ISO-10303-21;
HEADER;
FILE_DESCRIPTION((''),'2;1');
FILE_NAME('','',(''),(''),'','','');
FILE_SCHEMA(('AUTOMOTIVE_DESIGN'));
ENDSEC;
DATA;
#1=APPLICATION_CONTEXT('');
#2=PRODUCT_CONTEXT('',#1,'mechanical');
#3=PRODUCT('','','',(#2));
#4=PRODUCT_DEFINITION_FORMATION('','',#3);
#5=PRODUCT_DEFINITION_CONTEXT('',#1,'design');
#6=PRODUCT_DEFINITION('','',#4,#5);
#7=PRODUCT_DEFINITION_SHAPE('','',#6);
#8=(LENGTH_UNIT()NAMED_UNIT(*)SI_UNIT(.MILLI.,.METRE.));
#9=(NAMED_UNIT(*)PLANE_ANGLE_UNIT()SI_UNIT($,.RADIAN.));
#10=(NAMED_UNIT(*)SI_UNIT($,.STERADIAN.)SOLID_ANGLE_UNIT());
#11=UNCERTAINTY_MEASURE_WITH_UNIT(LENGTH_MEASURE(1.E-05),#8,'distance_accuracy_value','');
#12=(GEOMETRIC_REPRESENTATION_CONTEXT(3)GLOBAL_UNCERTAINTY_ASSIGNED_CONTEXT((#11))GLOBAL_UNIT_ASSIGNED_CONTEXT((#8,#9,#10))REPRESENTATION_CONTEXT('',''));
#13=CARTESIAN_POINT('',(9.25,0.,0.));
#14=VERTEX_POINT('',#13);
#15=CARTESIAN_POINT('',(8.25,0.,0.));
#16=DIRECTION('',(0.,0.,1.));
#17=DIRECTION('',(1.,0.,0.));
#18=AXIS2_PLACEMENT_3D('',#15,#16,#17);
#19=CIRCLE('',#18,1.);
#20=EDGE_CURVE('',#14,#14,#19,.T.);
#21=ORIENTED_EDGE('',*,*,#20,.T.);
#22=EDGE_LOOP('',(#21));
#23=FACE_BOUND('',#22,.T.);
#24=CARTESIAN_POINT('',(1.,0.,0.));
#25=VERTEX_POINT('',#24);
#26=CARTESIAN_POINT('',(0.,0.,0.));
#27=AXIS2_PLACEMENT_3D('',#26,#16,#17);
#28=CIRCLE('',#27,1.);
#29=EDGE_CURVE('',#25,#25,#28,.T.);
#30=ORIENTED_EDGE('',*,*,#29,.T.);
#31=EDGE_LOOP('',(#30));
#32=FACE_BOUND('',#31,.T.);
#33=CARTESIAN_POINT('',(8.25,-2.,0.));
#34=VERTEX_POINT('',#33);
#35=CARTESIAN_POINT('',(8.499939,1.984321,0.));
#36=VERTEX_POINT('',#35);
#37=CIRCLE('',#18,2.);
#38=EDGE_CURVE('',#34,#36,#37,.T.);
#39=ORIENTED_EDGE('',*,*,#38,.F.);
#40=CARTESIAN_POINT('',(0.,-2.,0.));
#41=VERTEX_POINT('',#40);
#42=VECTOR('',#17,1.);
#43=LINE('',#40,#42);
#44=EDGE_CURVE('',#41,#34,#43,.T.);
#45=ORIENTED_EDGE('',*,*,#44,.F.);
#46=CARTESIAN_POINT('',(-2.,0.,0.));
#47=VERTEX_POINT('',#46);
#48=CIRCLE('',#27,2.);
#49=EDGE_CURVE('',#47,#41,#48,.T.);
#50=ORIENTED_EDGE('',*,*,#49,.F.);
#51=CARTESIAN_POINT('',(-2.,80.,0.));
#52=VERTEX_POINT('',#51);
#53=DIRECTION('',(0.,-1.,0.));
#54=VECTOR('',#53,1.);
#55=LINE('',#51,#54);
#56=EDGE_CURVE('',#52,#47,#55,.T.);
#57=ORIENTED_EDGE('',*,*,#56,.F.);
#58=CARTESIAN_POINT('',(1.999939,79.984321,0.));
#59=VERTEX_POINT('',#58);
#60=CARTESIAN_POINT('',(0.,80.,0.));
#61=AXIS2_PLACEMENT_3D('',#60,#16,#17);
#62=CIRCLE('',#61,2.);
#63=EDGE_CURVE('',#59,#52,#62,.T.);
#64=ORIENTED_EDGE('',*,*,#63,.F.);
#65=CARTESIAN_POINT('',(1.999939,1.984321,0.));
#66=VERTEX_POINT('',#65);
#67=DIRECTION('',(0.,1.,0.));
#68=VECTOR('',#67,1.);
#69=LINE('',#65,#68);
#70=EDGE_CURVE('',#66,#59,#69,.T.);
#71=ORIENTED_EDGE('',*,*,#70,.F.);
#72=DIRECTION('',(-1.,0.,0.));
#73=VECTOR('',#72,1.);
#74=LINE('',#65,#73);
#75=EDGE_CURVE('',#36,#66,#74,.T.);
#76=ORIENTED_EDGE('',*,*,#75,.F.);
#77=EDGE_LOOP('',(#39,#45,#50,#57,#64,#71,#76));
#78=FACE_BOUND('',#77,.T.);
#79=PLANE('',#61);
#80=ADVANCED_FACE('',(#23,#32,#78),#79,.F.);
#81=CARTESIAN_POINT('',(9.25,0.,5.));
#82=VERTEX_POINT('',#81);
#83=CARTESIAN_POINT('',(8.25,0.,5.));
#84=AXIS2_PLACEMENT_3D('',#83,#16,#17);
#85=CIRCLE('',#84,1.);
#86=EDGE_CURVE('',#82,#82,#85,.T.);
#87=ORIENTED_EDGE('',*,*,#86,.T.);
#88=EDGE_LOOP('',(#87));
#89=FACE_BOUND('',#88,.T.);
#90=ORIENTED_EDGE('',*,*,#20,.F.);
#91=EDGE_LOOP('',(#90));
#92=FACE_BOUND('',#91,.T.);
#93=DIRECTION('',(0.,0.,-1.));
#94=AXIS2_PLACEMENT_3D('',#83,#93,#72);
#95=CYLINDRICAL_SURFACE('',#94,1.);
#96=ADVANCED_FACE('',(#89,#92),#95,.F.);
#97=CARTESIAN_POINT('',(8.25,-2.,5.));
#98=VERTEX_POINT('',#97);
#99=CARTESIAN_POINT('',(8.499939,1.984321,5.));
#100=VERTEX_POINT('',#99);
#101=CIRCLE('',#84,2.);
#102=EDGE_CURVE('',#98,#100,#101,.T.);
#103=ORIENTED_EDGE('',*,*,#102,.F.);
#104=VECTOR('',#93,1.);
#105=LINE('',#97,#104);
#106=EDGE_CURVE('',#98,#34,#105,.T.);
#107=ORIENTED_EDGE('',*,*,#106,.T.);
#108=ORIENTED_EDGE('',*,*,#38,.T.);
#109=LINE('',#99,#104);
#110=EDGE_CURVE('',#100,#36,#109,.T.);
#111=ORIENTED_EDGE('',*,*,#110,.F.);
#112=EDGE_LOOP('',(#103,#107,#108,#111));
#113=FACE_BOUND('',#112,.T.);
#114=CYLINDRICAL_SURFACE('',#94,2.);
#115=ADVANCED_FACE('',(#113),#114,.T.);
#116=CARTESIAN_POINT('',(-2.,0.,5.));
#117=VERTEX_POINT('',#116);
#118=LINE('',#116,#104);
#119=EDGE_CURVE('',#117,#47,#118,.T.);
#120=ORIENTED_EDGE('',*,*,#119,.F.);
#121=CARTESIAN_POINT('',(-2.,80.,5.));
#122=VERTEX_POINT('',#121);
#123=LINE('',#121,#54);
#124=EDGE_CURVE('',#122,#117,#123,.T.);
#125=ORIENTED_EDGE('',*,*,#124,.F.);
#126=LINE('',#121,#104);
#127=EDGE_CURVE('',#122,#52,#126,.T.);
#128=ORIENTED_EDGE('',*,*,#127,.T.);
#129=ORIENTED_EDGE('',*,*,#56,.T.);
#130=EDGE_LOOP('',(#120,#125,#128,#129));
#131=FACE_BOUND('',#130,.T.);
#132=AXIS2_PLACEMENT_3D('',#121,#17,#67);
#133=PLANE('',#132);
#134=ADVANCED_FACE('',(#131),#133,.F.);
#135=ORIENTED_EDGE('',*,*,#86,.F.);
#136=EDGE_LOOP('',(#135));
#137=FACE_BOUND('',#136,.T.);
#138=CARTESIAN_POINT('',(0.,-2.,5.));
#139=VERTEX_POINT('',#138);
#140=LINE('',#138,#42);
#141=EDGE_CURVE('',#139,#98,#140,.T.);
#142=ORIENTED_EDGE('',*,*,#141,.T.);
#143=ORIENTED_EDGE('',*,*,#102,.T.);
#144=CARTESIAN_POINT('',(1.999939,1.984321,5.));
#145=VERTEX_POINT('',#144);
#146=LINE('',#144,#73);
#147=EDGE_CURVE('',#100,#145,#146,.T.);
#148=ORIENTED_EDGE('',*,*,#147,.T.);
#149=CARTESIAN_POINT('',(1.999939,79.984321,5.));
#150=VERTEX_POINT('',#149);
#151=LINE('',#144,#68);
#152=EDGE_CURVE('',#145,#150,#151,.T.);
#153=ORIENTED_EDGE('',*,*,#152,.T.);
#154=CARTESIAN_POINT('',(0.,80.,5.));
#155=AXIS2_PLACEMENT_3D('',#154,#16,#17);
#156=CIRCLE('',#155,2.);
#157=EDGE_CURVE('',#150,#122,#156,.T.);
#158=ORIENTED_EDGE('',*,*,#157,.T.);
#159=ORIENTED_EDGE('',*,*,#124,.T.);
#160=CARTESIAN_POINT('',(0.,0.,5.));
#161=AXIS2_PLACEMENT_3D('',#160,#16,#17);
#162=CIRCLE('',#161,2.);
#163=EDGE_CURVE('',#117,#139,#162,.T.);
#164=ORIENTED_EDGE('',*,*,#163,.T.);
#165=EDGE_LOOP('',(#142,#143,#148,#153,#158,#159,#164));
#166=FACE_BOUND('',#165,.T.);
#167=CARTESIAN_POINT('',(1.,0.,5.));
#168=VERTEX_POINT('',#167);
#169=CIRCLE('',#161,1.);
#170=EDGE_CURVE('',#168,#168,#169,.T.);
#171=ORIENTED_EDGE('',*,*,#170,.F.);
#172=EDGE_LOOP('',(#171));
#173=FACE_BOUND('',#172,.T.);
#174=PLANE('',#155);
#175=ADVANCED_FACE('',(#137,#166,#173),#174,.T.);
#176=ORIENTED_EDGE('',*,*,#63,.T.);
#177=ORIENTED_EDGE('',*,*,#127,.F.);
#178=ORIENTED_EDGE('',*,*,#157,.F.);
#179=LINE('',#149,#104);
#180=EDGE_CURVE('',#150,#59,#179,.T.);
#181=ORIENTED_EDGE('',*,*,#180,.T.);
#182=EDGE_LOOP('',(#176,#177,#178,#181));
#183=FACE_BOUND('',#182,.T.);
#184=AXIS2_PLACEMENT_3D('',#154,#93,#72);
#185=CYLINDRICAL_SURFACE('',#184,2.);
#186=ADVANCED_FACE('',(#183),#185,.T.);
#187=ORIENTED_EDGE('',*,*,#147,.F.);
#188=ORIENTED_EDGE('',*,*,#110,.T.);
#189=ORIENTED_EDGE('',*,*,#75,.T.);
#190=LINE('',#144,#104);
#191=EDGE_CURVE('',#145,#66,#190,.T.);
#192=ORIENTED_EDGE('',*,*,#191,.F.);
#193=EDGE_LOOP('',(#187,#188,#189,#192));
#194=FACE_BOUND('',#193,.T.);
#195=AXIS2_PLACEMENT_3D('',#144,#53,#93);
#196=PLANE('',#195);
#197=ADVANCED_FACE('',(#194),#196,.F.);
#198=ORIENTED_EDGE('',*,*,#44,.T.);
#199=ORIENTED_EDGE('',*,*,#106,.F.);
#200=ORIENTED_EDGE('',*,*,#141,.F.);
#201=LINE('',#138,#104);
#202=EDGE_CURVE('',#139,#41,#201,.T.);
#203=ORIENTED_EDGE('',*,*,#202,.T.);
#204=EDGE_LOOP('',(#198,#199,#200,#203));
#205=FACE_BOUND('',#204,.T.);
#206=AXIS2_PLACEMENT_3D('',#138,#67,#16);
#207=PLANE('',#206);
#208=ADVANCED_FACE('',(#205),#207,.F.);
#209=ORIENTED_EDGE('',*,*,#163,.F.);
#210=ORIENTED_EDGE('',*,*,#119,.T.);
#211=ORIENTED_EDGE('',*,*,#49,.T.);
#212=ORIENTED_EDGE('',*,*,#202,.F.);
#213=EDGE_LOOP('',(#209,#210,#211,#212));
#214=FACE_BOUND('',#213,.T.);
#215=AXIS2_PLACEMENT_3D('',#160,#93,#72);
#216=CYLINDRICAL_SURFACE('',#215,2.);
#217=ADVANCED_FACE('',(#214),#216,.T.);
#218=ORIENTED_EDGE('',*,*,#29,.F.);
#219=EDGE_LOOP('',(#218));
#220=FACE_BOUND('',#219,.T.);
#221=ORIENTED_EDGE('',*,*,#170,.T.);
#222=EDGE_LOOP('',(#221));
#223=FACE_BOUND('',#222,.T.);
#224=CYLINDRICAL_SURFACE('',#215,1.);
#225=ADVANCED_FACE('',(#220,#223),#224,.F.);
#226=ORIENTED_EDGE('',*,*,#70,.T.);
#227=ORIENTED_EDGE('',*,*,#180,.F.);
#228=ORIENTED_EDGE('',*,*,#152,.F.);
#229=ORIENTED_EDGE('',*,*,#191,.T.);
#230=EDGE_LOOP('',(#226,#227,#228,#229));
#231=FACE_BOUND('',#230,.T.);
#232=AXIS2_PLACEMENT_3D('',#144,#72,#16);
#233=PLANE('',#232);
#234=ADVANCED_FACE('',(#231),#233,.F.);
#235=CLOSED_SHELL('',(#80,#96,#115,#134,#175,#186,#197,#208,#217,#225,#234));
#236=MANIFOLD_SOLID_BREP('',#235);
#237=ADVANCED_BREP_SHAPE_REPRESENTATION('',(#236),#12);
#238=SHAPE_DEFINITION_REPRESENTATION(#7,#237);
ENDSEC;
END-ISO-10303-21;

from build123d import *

# Parameters (mm, degrees)
SKETCH_1_R      = 1
EXTRUDE_1_DEPTH = 5


with BuildPart() as part:
    # 草图1 → 凸台-拉伸1 (new body)
    with BuildSketch(Plane.XY):
        with BuildLine():
            Line((-2, 80), (-2, 0))
            ThreePointArc((-2, 0), (-1.414213562, -1.414213562), (0, -2))
            Line((0, -2), (8.25, -2))
            ThreePointArc((8.25, -2), (10.246076458, -0.125214915), (8.499938543, 1.984321225))
            Line((8.499938543, 1.984321225), (1.999938543, 1.984321225))
            Line((1.999938543, 1.984321225), (1.999938543, 79.984321225))
            ThreePointArc((1.999938543, 79.984321225), (0.007839448, 81.999984636), (-2, 80))
        make_face()
        Circle(SKETCH_1_R, mode=Mode.SUBTRACT)
        with Locations((8.25, 0)):
            Circle(SKETCH_1_R, mode=Mode.SUBTRACT)
    extrude(amount=EXTRUDE_1_DEPTH)


solid = part.part
